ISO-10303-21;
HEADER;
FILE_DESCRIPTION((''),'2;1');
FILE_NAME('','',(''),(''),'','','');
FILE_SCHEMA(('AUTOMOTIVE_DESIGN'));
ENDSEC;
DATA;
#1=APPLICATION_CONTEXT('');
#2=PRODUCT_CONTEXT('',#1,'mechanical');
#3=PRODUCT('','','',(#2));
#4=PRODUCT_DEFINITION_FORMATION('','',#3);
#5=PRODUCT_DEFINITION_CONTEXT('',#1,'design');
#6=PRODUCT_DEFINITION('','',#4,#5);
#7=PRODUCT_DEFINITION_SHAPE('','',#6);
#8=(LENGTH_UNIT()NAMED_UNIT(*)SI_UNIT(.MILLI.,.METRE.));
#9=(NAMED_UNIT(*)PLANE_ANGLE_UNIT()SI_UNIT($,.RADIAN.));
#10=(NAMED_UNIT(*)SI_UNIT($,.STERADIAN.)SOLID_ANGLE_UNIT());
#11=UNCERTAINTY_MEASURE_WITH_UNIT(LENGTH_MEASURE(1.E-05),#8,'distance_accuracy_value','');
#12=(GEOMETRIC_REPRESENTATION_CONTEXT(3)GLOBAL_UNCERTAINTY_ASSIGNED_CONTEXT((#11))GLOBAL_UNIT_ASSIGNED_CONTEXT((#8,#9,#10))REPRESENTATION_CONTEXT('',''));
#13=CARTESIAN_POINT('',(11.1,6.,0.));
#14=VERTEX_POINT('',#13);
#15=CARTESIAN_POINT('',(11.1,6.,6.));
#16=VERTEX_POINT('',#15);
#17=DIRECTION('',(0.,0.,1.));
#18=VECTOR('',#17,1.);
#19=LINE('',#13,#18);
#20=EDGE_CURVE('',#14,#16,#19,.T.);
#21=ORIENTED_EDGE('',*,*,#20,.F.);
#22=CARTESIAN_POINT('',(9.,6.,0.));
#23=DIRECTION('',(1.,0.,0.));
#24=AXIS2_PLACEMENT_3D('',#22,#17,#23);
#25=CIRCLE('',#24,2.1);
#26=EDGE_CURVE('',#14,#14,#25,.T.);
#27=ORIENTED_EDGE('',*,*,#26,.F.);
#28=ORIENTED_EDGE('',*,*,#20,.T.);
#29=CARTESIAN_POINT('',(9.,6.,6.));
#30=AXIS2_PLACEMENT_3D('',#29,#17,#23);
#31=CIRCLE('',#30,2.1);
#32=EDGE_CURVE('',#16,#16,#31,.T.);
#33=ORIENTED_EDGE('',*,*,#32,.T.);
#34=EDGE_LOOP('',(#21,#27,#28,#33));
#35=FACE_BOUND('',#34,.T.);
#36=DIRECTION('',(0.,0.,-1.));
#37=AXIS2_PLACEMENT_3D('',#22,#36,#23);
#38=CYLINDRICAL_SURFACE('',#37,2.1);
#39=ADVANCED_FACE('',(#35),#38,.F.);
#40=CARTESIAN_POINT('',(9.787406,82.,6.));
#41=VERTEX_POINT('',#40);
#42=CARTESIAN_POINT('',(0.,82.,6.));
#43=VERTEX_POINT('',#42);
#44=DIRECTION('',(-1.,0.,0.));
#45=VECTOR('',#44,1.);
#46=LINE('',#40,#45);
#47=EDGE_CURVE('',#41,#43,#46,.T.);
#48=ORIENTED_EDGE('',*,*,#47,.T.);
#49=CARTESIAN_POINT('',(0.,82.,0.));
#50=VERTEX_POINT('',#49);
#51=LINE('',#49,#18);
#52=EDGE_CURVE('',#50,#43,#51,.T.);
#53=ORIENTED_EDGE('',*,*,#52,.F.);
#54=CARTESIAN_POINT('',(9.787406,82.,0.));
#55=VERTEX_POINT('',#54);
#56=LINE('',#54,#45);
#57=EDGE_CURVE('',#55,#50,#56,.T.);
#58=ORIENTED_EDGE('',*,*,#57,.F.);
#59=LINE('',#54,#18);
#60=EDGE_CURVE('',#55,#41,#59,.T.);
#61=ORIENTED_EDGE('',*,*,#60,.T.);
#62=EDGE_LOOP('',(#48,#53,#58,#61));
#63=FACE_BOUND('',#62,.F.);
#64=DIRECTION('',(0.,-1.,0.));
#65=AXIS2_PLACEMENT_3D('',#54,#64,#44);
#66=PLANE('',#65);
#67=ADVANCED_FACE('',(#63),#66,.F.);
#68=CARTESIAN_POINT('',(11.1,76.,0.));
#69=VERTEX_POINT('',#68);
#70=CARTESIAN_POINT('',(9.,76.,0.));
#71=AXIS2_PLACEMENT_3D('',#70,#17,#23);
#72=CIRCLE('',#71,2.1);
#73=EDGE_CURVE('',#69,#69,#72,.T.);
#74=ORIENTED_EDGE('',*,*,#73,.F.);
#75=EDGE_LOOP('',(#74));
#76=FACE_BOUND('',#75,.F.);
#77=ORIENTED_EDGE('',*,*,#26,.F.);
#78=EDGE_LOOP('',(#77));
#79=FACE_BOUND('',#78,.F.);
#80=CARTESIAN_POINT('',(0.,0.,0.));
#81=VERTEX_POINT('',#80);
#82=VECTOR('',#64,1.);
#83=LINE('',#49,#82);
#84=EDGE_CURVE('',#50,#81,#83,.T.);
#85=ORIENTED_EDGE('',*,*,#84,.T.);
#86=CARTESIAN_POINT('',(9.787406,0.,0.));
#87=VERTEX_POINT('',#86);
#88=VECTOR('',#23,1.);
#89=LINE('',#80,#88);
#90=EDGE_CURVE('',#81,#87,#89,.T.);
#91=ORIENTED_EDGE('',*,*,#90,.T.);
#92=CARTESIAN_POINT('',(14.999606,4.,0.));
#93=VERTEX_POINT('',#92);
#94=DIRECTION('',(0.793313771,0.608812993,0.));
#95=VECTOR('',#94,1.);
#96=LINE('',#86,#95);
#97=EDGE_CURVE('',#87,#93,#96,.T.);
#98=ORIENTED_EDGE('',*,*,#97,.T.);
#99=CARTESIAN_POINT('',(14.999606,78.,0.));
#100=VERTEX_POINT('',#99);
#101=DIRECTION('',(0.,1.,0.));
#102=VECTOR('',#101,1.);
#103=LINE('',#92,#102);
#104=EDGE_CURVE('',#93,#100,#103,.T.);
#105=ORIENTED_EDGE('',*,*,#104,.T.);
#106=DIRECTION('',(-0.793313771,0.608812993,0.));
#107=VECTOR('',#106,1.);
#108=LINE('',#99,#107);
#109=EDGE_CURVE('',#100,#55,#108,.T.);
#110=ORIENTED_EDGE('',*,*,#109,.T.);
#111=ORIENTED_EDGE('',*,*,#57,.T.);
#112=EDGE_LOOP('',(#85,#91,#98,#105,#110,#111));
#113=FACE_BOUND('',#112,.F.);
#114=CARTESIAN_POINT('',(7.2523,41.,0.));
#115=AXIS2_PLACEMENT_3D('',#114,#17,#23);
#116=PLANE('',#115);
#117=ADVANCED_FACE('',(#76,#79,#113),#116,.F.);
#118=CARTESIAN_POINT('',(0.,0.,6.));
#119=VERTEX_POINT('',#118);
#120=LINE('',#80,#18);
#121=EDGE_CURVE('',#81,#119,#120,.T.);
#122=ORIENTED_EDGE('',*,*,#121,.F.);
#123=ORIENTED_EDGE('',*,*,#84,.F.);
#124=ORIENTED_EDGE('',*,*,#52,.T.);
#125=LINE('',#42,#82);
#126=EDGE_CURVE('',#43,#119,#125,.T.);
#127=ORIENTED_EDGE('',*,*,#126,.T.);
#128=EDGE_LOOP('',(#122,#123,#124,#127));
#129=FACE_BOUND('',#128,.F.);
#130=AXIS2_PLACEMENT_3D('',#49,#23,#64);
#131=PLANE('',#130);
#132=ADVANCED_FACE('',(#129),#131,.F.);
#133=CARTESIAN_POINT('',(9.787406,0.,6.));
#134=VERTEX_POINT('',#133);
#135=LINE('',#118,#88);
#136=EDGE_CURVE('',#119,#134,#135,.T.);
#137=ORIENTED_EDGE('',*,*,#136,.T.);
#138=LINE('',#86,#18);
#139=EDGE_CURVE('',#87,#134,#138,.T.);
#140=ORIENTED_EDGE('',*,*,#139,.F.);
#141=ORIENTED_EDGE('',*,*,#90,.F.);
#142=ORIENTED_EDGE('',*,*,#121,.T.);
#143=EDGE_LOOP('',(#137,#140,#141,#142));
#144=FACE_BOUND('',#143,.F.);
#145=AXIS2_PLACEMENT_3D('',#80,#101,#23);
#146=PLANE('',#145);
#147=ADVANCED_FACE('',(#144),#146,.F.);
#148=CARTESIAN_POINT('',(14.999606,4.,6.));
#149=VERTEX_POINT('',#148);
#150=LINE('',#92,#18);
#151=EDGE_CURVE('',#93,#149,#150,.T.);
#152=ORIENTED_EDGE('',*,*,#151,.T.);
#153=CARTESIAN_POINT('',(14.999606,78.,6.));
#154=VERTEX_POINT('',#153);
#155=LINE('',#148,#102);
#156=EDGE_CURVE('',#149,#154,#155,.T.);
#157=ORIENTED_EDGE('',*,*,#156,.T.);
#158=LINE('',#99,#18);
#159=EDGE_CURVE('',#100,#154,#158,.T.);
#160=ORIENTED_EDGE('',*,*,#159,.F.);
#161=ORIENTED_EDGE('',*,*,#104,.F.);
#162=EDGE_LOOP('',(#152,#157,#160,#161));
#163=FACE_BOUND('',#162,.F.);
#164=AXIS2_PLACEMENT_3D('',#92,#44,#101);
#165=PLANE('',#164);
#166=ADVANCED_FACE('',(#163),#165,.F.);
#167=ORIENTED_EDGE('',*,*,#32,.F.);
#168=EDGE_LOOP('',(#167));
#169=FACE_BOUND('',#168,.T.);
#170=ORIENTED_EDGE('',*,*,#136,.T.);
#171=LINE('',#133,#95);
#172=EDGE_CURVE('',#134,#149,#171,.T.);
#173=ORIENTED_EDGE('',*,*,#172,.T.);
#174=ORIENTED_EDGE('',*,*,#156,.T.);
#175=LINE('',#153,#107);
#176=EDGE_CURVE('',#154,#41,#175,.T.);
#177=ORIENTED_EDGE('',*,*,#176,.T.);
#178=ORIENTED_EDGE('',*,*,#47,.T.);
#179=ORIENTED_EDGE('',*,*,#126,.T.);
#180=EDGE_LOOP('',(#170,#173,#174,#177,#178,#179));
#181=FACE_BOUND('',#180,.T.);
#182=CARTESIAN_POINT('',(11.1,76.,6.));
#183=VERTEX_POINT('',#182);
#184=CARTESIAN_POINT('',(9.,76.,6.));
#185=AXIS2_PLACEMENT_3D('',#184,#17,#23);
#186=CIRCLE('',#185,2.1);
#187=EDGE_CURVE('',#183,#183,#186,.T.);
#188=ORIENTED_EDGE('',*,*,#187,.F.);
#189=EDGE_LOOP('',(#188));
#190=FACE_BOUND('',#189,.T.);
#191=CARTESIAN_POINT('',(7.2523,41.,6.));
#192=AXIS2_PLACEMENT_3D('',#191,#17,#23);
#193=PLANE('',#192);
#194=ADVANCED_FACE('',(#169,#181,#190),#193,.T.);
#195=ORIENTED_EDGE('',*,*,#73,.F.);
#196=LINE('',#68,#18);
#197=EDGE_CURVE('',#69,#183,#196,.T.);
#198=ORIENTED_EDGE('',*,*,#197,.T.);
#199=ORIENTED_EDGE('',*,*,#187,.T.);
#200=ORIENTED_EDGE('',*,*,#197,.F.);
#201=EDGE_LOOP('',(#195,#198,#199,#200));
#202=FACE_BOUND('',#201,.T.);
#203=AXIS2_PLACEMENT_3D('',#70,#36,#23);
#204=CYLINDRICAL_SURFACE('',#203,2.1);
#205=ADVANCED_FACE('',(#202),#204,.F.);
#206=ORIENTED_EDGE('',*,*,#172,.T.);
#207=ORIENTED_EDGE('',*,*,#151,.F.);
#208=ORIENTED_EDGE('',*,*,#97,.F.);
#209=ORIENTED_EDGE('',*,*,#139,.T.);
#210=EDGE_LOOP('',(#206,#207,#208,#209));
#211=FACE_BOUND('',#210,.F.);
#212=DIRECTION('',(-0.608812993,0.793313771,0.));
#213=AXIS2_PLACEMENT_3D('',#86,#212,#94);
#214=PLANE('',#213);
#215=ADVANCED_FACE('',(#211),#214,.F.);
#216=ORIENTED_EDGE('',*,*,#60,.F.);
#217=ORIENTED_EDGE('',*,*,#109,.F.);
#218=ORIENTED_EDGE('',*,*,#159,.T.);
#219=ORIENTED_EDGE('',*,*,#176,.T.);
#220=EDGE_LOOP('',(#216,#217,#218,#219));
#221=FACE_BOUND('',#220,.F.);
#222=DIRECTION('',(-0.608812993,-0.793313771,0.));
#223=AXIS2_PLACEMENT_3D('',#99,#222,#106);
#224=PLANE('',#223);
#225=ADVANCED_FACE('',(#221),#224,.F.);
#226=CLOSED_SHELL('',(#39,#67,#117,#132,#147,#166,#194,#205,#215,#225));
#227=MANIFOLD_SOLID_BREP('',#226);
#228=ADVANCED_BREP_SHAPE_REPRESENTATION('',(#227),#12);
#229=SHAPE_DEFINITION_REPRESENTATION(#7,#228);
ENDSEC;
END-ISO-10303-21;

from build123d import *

# Parameters (mm, degrees)
SKETCH_R  = 2.1
PAD_DEPTH = 6


with BuildPart() as part:
    # Sketch → Pad (new body)
    with BuildSketch(Plane.XY):
        Polygon((0, 82), (0, 0), (9.787406, 0), (14.999606, 4), (14.999606, 78), (9.787406, 82), align=None)
        with Locations((9, 6)):
            Circle(SKETCH_R, mode=Mode.SUBTRACT)
        with Locations((9, 76)):
            Circle(SKETCH_R, mode=Mode.SUBTRACT)
    extrude(amount=PAD_DEPTH)


solid = part.part
